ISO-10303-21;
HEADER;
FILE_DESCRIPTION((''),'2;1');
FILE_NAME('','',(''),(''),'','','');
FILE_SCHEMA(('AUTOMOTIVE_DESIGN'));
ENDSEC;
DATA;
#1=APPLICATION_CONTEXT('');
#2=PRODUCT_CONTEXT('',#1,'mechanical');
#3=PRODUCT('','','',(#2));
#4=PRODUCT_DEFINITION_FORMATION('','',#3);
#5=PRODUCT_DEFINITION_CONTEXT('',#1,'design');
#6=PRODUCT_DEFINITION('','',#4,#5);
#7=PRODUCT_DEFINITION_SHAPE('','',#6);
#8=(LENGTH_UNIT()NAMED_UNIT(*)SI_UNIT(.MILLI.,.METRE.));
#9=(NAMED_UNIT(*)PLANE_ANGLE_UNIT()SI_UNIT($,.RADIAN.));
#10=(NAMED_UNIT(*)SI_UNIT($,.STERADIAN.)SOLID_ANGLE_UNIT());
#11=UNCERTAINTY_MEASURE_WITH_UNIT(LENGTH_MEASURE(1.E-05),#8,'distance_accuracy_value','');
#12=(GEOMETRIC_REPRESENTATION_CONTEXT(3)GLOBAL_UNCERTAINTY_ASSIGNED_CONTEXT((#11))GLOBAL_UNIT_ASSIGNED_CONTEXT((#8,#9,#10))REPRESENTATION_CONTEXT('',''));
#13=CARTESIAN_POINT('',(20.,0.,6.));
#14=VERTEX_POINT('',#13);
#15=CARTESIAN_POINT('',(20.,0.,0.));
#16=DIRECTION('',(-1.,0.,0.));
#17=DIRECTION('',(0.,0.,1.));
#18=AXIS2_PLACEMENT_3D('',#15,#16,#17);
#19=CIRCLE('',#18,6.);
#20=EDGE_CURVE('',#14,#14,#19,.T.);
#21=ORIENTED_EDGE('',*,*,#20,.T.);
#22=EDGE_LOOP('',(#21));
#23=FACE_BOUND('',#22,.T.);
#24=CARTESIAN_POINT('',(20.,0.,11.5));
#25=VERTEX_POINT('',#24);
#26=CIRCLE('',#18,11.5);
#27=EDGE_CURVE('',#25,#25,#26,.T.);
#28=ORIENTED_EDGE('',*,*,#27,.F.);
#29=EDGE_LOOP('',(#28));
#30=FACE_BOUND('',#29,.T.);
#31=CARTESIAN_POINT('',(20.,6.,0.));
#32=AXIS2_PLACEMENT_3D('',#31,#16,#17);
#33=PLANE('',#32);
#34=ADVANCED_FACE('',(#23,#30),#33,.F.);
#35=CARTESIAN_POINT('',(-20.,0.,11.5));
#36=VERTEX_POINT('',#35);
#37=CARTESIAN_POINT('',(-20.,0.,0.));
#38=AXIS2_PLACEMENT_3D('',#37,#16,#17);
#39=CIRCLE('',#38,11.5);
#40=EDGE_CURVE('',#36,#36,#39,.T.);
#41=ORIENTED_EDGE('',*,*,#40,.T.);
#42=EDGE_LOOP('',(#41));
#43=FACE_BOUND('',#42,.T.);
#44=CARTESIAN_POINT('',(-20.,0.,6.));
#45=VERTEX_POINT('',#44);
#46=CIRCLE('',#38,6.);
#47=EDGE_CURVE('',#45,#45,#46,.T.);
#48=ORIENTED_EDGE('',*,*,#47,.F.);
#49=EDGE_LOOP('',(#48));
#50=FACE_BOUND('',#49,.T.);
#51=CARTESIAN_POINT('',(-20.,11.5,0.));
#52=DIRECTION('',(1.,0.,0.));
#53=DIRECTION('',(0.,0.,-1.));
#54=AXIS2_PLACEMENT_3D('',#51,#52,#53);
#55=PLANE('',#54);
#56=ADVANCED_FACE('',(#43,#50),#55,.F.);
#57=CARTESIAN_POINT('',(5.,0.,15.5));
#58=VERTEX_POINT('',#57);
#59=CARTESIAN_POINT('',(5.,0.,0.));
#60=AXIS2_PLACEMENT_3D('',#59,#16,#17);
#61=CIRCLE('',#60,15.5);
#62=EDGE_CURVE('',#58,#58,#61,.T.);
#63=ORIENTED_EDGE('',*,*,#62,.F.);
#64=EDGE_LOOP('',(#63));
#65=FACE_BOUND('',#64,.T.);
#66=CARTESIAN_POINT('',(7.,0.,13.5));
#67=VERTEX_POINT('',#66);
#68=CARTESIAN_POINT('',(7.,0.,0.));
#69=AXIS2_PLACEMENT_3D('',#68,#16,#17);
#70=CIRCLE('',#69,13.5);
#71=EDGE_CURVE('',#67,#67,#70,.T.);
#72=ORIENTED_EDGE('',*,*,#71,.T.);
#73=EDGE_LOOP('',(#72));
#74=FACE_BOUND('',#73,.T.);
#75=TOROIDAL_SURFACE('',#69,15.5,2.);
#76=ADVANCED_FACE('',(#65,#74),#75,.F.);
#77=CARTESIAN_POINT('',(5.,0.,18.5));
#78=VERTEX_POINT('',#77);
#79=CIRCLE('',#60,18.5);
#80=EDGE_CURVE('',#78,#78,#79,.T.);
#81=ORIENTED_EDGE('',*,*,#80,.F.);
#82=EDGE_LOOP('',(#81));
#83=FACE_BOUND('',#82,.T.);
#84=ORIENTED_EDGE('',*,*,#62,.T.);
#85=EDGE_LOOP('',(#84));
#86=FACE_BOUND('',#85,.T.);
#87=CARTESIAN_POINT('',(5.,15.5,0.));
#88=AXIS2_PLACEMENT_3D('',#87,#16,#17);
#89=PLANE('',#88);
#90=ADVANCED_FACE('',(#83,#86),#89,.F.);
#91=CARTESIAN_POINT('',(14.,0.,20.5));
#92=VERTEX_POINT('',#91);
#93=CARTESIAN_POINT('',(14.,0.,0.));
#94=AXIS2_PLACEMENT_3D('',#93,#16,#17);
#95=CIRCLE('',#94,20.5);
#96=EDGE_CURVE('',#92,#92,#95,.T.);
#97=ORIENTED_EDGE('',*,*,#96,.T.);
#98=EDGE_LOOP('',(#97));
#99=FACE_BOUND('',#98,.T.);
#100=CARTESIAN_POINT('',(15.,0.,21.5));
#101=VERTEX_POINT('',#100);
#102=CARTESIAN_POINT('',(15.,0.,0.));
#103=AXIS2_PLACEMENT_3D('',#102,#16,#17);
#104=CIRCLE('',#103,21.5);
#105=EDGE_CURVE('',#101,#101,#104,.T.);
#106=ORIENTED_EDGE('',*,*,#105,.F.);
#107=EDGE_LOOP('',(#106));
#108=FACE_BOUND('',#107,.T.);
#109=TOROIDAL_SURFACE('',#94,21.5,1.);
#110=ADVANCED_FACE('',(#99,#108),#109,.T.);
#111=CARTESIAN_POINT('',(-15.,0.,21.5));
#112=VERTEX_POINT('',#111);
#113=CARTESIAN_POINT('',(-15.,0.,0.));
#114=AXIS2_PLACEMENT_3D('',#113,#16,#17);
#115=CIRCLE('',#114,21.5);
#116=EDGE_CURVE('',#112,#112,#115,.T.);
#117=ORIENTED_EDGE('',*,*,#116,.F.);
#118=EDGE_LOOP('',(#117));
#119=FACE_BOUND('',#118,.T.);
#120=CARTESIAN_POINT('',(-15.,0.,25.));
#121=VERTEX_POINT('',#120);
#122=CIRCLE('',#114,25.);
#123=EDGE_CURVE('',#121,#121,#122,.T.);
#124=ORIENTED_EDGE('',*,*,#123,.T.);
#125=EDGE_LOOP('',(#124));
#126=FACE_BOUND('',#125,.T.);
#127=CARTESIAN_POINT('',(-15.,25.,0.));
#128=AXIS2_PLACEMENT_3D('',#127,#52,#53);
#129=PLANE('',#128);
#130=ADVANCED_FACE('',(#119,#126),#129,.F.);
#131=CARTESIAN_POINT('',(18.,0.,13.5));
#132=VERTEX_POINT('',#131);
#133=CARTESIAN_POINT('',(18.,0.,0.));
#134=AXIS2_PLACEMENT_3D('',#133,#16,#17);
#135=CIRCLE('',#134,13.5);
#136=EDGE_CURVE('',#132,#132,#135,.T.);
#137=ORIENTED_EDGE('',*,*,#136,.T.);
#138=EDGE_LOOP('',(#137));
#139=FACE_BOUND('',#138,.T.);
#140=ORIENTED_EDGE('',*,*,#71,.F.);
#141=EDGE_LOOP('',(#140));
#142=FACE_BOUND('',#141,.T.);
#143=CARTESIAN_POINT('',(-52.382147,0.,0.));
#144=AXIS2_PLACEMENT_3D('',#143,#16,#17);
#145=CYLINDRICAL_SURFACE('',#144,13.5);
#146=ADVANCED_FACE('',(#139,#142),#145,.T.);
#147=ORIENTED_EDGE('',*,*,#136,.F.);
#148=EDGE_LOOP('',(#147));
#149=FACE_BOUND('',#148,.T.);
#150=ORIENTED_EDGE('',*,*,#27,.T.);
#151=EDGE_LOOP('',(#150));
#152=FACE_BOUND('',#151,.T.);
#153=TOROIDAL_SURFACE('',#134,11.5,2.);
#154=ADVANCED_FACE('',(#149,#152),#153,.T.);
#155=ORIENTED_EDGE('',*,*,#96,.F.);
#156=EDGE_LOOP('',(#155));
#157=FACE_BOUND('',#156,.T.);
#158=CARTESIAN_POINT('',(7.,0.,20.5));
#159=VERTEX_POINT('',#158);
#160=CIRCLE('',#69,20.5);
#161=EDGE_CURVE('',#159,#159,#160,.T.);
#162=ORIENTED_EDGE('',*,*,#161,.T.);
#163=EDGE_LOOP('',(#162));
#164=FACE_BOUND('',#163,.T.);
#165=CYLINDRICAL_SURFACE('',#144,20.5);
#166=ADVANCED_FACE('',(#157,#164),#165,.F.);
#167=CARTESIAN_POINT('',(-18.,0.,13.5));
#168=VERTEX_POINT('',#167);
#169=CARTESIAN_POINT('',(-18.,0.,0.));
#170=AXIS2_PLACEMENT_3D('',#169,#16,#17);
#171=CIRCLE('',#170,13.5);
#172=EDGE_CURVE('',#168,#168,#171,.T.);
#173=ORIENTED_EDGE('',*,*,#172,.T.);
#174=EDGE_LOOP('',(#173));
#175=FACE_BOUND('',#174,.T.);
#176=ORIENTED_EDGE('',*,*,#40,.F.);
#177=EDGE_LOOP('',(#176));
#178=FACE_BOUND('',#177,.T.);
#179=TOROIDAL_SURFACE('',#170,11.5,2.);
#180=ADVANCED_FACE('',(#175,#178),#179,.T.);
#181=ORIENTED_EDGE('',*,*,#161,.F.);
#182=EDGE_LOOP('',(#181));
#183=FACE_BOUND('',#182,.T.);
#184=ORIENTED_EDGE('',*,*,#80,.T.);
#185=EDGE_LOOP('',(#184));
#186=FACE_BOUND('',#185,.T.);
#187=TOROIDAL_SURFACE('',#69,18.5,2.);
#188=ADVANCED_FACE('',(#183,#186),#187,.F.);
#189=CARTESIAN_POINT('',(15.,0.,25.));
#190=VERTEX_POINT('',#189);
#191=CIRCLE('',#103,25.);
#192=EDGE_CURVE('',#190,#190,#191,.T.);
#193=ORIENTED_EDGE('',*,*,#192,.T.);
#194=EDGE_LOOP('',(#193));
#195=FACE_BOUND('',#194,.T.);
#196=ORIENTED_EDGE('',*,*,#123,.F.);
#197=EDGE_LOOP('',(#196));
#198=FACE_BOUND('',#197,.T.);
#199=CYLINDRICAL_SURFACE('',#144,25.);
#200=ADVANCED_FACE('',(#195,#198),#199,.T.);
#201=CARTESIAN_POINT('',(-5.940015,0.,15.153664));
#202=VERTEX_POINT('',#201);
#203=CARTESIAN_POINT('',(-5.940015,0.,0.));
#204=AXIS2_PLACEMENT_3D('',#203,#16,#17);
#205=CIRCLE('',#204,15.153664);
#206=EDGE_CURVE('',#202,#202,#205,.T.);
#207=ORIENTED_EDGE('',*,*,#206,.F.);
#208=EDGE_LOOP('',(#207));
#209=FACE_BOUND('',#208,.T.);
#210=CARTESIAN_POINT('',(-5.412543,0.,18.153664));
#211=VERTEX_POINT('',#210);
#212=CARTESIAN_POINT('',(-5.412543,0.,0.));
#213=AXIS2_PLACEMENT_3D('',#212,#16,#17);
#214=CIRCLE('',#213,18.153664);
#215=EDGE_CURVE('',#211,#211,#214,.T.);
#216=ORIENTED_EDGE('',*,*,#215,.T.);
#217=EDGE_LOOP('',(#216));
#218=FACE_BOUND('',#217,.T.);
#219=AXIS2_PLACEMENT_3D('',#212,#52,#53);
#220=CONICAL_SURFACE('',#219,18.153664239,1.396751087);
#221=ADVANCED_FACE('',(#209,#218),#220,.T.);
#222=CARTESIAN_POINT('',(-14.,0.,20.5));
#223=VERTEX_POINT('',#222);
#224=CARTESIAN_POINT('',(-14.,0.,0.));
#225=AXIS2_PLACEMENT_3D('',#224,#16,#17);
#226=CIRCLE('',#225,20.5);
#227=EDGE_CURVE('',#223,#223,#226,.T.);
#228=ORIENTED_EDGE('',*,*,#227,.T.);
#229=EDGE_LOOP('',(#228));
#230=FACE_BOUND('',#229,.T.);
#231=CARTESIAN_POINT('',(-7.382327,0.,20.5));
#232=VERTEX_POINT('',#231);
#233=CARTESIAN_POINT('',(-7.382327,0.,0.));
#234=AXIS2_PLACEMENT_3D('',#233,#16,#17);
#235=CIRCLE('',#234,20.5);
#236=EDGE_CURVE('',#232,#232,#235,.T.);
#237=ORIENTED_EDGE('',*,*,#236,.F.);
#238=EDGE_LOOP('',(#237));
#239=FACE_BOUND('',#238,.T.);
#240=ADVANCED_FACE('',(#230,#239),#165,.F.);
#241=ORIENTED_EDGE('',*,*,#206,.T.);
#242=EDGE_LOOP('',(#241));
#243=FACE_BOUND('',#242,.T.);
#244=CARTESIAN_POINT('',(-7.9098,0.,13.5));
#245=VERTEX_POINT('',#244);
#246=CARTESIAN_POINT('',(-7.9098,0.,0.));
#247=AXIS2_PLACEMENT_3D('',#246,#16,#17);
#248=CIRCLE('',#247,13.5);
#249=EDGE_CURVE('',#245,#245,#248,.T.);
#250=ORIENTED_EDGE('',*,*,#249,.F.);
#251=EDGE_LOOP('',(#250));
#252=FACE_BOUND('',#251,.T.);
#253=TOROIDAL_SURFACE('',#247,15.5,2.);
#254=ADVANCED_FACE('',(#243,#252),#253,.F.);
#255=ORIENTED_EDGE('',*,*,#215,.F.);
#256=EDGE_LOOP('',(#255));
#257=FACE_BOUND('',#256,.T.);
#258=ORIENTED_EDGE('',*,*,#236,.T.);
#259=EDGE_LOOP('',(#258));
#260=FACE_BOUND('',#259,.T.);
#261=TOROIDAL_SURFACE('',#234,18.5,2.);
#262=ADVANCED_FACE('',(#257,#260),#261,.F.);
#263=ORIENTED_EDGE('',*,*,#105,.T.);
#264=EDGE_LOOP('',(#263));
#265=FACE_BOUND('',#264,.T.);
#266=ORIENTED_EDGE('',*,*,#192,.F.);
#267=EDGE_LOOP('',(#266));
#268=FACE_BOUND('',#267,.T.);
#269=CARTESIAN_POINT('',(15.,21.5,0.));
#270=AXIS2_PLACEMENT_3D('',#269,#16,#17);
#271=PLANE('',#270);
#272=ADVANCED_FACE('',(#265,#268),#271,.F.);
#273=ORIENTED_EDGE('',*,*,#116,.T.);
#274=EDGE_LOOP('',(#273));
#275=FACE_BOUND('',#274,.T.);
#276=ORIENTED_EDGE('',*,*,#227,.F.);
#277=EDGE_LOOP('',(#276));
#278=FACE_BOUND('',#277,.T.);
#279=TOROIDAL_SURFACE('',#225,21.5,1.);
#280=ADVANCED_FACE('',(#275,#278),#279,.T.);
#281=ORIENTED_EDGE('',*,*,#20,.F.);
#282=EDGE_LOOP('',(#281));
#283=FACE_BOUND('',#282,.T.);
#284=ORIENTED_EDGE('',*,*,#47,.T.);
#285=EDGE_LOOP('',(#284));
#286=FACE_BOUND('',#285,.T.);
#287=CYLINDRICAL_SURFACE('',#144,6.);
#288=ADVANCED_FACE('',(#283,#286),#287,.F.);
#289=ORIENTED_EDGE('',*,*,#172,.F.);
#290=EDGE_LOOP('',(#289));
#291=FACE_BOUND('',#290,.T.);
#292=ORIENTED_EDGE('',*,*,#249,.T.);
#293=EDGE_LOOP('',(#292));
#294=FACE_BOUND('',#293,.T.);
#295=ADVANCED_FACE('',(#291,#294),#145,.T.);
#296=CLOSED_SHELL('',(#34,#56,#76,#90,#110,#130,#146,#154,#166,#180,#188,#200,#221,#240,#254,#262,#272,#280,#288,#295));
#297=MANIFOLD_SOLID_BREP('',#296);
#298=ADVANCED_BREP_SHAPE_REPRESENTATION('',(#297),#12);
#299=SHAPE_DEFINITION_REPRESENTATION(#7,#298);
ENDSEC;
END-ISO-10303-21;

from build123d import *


with BuildPart() as part:
    # Эскиз1 → Повернуть1 (revolve)
    with BuildSketch(Plane.XY, mode=Mode.PRIVATE) as revolve_1_sk:
        with BuildLine():
            Line((-20, 6), (20, 6))
            Line((20, 6), (20, 11.5))
            ThreePointArc((20, 11.5), (19.414213562, 12.914213562), (18, 13.5))
            Line((18, 13.5), (7, 13.5))
            ThreePointArc((7, 13.5), (5.585786438, 14.085786438), (5, 15.5))
            Line((5, 15.5), (5, 18.5))
            ThreePointArc((5, 18.5), (5.585786438, 19.914213562), (7, 20.5))
            Line((7, 20.5), (14, 20.5))
            ThreePointArc((14, 20.5), (14.707106781, 20.792893219), (15, 21.5))
            Line((15, 21.5), (15, 25))
            Line((15, 25), (-15, 25))
            Line((-15, 25), (-15, 21.5))
            ThreePointArc((-15, 21.5), (-14.707106781, 20.792893219), (-14, 20.5))
            Line((-14, 20.5), (-7.382327195, 20.5))
            ThreePointArc((-7.382327195, 20.5), (-5.850551832, 19.78594877), (-5.412542551, 18.153664239))
            Line((-5.412542551, 18.153664239), (-5.940015079, 15.153664239))
            ThreePointArc((-5.940015079, 15.153664239), (-6.623850952, 13.968224637), (-7.909799722, 13.5))
            Line((-7.909799722, 13.5), (-18, 13.5))
            ThreePointArc((-18, 13.5), (-19.414213562, 12.914213562), (-20, 11.5))
            Line((-20, 11.5), (-20, 6))
        make_face()
    revolve(revolve_1_sk.sketch.rotate(Axis((-52.382147487, 0, 0), (1, 0, 0)), 90), axis=Axis((-52.382147487, 0, 0), (1, 0, 0)))


solid = part.part
